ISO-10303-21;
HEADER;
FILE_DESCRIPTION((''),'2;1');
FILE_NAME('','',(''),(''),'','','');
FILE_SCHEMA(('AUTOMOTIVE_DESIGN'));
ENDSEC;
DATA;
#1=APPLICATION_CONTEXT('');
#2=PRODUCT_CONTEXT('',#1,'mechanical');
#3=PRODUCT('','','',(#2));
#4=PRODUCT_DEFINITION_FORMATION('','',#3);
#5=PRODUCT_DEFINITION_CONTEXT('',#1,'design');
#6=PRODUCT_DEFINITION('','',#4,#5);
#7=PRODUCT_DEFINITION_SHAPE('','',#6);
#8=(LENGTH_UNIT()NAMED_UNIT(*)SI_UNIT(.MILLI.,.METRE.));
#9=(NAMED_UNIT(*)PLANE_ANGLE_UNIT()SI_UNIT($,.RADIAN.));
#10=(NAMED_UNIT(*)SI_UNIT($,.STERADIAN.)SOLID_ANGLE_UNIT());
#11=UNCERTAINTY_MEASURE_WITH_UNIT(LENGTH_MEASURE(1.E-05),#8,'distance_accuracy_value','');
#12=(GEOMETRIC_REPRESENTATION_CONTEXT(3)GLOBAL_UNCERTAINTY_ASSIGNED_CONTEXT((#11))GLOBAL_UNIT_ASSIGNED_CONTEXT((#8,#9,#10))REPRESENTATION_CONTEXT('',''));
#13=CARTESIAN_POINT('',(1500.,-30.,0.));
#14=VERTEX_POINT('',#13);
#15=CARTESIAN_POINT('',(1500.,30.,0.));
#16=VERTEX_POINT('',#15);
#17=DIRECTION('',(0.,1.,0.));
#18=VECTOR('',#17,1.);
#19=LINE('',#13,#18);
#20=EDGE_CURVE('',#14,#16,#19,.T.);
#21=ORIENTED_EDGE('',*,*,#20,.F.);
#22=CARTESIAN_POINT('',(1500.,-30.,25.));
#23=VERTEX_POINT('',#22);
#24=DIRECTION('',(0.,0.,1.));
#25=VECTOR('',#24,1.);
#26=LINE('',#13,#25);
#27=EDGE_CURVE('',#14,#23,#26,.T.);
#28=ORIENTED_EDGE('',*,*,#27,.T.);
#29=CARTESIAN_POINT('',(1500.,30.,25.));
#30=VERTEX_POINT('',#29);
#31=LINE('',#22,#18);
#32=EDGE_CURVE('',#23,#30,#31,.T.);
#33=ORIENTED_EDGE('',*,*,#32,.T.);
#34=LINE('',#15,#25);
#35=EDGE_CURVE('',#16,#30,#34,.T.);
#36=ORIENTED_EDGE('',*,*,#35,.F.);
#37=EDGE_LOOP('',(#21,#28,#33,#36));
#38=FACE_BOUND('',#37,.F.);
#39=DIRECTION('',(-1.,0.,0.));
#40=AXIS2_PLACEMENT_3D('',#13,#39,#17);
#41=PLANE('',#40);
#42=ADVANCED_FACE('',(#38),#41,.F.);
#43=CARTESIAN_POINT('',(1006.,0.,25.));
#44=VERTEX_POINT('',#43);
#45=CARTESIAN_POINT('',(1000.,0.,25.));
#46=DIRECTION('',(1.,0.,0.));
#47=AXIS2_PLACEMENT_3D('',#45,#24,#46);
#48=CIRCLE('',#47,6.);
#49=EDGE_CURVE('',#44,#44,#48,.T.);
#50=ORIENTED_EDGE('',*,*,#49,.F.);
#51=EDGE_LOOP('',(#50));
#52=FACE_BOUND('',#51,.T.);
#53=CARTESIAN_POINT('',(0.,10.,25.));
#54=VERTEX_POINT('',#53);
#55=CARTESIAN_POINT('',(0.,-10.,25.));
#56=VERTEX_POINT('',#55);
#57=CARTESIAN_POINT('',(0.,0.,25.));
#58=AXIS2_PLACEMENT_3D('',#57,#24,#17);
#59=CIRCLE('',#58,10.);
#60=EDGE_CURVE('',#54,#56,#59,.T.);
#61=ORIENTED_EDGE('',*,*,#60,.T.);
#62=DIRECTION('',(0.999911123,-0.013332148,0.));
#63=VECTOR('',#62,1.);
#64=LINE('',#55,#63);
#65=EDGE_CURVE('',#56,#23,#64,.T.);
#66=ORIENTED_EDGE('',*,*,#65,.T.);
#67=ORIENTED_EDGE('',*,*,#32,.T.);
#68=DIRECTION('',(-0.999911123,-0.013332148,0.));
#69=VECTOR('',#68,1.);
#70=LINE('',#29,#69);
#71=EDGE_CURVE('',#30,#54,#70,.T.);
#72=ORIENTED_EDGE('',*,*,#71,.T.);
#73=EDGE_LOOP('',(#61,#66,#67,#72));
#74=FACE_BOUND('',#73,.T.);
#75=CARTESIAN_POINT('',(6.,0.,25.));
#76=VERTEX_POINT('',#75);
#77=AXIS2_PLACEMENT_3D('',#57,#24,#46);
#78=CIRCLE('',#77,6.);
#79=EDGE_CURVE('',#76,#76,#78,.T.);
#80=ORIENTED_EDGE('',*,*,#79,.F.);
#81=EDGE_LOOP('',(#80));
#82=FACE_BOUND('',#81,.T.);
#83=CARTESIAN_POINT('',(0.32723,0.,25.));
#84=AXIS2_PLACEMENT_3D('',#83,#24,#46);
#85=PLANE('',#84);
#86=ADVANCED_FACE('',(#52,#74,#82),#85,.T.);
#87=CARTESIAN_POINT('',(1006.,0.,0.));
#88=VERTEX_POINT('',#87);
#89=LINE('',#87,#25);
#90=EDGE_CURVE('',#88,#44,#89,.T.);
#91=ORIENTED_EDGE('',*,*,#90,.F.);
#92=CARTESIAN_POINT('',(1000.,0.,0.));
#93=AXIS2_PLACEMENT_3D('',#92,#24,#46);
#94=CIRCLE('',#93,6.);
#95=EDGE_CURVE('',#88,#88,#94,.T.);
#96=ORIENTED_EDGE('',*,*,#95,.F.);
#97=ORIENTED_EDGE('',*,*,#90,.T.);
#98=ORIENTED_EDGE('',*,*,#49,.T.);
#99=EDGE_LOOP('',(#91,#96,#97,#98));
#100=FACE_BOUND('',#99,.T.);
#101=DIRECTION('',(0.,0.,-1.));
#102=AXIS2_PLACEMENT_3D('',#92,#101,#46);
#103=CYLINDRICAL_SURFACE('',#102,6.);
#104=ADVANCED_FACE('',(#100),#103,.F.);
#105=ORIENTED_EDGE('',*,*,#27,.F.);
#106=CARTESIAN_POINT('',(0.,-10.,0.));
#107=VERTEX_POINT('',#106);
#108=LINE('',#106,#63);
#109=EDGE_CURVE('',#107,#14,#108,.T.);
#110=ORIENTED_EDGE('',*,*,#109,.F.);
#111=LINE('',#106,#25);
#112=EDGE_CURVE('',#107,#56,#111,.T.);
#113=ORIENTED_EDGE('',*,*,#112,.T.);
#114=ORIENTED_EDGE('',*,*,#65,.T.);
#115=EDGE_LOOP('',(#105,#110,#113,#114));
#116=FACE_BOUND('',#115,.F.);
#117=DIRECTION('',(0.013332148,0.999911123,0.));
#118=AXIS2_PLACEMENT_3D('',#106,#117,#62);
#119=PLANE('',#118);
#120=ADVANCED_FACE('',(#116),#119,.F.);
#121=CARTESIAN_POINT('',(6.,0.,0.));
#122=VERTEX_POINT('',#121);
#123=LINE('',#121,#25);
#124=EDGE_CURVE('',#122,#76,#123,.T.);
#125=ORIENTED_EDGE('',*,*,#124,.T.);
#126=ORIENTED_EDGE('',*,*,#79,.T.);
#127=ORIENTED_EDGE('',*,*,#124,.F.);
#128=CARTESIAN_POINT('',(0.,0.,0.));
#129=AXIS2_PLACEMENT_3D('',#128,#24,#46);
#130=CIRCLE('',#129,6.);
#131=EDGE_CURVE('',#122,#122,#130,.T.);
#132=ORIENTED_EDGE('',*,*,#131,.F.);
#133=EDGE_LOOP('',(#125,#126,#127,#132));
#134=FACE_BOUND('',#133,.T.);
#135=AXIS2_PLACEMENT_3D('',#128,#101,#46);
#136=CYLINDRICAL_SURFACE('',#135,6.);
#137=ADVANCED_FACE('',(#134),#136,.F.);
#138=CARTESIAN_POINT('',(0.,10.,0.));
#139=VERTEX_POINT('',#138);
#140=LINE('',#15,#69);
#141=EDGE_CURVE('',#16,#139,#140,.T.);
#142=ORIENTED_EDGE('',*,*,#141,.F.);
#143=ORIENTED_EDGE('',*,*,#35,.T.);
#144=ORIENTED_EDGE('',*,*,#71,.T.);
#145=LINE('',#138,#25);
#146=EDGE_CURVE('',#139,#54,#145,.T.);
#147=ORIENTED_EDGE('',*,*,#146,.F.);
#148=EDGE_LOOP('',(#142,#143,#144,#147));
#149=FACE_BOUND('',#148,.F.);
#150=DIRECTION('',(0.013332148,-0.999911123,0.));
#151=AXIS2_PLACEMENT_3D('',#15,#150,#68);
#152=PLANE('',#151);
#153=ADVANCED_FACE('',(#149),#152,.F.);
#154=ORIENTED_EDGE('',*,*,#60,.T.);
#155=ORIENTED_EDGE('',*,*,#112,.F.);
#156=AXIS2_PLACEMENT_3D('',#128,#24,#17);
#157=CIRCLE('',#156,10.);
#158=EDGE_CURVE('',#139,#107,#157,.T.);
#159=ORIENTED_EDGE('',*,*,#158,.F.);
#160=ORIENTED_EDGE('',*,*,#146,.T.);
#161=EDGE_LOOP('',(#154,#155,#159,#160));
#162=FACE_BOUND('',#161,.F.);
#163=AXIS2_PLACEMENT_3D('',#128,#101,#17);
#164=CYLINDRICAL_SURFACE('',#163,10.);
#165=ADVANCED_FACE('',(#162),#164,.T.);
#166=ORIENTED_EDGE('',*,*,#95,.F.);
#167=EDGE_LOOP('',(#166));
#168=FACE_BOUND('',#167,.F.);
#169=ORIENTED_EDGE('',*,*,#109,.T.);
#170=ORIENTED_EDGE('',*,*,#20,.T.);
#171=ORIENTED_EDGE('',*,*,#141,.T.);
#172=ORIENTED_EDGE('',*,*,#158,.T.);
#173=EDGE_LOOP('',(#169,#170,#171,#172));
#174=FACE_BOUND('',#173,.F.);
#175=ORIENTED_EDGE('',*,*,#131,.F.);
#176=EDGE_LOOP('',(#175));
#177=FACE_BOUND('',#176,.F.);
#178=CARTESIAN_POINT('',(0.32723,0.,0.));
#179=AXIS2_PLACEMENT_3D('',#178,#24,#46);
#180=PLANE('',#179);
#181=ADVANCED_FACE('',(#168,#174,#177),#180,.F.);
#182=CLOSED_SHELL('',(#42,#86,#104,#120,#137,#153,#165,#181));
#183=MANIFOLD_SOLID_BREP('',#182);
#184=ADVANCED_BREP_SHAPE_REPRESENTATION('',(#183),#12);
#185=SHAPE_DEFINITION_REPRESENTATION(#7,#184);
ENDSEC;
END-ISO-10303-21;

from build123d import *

# Parameters (mm, degrees)
F0_R     = 6
F1_DEPTH = 25


with BuildPart() as f1:
    # F0 (on Top) → F1 (new body)
    with BuildSketch(Plane.XY):
        with BuildLine():
            ThreePointArc((0, -10), (7.071068, -7.071068), (10, 0))
            ThreePointArc((10, 0), (7.071068, 7.071068), (0, 10))
            ThreePointArc((0, 10), (-10, 0), (0, -10))
        make_face()
        Circle(F0_R, mode=Mode.SUBTRACT)
        with BuildLine():
            ThreePointArc((0, 10), (7.071068, 7.071068), (10, 0))
            ThreePointArc((10, 0), (7.071068, -7.071068), (0, -10))
            Line((0, -10), (1500, -30))
            Line((1500, -30), (1500, 0))
            Line((1500, 0), (1500, 30))
            Line((1500, 30), (0, 10))
        make_face()
        with Locations((1000, 0)):
            Circle(F0_R, mode=Mode.SUBTRACT)
    extrude(amount=F1_DEPTH)


solid = f1.part
